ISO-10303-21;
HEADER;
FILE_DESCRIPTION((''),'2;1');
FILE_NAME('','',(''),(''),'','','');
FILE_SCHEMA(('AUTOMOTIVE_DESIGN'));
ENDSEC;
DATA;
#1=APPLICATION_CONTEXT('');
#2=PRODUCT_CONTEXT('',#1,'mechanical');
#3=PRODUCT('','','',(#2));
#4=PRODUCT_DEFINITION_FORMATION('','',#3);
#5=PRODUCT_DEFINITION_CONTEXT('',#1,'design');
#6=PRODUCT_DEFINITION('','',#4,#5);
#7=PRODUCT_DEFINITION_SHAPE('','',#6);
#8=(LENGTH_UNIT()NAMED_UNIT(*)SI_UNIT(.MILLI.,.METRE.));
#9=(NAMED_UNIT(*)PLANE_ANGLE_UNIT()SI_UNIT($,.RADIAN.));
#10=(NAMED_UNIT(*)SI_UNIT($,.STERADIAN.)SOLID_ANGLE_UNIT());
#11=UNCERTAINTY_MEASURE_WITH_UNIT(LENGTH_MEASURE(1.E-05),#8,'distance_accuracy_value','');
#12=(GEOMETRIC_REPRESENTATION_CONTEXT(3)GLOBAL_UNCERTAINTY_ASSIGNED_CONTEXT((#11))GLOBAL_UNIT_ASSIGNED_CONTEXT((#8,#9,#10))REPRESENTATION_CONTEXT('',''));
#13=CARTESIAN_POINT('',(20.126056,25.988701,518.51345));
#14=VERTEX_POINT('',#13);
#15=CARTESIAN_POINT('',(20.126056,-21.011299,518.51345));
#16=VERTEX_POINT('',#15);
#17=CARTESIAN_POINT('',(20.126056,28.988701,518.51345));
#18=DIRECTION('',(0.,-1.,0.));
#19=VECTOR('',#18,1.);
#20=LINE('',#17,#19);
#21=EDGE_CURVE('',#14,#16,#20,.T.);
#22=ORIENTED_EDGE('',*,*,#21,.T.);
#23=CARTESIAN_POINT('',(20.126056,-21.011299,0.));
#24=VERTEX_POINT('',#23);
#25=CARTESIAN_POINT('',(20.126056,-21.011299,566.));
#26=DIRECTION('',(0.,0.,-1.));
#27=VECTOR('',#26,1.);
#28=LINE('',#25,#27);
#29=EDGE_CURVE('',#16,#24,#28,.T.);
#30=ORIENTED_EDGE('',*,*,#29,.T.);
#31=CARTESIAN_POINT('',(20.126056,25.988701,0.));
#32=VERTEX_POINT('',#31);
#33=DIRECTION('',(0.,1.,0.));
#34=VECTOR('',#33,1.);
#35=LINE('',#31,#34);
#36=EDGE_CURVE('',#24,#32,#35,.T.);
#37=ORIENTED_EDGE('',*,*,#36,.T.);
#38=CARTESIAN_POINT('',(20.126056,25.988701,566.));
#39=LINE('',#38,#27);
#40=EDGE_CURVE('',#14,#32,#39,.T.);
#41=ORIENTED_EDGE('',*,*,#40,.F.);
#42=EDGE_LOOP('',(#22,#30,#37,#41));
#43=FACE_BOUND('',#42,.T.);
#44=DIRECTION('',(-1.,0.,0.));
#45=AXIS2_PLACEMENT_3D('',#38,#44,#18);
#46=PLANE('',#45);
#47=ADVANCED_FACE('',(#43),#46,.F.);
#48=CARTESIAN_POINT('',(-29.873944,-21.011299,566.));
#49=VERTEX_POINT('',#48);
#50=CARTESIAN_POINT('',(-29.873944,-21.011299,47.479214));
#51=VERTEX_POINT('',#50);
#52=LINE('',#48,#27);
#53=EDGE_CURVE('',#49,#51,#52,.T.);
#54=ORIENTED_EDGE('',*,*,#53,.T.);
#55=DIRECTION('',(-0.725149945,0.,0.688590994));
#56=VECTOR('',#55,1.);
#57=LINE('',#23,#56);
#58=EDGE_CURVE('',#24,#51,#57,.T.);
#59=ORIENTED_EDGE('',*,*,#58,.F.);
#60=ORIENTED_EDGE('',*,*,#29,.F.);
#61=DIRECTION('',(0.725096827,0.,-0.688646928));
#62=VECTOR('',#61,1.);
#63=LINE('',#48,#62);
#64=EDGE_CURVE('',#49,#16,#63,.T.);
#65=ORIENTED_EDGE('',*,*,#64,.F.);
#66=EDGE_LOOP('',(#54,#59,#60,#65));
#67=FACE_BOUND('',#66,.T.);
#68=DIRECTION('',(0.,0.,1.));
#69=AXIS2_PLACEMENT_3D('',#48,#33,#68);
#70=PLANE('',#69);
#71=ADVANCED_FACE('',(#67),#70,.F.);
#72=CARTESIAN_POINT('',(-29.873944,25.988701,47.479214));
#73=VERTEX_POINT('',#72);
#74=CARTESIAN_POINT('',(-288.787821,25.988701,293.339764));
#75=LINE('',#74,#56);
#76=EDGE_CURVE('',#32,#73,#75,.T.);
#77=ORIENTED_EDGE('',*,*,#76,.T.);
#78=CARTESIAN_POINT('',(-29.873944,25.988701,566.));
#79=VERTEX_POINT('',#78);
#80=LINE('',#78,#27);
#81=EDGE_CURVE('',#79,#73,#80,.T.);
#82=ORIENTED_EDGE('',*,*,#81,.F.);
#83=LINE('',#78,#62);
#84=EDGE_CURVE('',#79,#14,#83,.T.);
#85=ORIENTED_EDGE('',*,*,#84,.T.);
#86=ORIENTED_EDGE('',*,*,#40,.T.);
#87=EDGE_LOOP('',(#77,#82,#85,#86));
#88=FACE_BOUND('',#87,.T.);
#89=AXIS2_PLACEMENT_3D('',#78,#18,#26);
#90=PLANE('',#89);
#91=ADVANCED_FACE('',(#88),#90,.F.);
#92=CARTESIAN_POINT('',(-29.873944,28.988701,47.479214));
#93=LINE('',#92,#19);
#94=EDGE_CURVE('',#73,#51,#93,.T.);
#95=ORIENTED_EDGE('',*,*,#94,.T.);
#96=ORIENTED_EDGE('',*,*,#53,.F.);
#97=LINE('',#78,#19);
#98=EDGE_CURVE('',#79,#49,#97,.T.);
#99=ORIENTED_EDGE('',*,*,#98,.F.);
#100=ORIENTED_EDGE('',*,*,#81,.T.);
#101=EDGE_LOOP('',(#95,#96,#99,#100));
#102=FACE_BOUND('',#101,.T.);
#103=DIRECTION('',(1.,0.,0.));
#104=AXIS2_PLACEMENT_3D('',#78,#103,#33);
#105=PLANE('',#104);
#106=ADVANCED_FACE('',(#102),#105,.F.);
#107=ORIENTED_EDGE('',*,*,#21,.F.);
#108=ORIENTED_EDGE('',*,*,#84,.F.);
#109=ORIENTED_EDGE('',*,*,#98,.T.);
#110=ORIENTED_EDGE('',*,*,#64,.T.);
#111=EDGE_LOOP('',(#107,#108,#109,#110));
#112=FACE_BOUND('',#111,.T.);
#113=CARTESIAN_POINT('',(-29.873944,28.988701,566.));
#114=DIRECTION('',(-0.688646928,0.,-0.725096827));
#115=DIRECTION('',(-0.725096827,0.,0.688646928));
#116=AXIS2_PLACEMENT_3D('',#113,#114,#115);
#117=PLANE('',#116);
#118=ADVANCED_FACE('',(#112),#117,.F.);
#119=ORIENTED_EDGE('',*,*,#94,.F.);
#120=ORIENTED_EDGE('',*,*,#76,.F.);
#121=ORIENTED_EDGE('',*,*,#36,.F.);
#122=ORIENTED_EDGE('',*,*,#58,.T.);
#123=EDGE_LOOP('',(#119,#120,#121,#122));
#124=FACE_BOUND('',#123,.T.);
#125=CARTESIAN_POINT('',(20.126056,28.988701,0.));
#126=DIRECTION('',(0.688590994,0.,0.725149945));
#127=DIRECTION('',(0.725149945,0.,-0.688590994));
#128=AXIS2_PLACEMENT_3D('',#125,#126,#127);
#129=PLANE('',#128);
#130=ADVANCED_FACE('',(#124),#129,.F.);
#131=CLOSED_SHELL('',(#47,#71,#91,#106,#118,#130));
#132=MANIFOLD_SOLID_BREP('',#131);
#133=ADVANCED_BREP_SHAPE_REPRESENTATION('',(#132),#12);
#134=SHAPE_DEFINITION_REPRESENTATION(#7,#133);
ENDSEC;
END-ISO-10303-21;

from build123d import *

# Parameters (mm, degrees)
SKETCH1_W           = 50
SKETCH1_H           = 47
BOSS_EXTRUDE1_DEPTH = 566
CUT_EXTRUDE1_DEPTH  = 50


with BuildPart() as part:
    # Sketch1 → Boss-Extrude1 (new body)
    with BuildSketch(Plane.XY):
        with Locations((-4.873944059, 2.488700565)):
            Rectangle(SKETCH1_W, SKETCH1_H)
    extrude(amount=BOSS_EXTRUDE1_DEPTH)

    # Sketch3 → Cut-Extrude1 (cut)
    with BuildSketch(Plane.XZ.offset(21.011299435)):
        Polygon((-29.873944059, 566), (20.126055941, 518.513450403), (20.126055941, 566), align=None)
        Polygon((-29.873944059, 0), (20.126055941, 0), (-29.873944059, 47.479214409), align=None)
    extrude(amount=-CUT_EXTRUDE1_DEPTH, mode=Mode.SUBTRACT)


solid = part.part
